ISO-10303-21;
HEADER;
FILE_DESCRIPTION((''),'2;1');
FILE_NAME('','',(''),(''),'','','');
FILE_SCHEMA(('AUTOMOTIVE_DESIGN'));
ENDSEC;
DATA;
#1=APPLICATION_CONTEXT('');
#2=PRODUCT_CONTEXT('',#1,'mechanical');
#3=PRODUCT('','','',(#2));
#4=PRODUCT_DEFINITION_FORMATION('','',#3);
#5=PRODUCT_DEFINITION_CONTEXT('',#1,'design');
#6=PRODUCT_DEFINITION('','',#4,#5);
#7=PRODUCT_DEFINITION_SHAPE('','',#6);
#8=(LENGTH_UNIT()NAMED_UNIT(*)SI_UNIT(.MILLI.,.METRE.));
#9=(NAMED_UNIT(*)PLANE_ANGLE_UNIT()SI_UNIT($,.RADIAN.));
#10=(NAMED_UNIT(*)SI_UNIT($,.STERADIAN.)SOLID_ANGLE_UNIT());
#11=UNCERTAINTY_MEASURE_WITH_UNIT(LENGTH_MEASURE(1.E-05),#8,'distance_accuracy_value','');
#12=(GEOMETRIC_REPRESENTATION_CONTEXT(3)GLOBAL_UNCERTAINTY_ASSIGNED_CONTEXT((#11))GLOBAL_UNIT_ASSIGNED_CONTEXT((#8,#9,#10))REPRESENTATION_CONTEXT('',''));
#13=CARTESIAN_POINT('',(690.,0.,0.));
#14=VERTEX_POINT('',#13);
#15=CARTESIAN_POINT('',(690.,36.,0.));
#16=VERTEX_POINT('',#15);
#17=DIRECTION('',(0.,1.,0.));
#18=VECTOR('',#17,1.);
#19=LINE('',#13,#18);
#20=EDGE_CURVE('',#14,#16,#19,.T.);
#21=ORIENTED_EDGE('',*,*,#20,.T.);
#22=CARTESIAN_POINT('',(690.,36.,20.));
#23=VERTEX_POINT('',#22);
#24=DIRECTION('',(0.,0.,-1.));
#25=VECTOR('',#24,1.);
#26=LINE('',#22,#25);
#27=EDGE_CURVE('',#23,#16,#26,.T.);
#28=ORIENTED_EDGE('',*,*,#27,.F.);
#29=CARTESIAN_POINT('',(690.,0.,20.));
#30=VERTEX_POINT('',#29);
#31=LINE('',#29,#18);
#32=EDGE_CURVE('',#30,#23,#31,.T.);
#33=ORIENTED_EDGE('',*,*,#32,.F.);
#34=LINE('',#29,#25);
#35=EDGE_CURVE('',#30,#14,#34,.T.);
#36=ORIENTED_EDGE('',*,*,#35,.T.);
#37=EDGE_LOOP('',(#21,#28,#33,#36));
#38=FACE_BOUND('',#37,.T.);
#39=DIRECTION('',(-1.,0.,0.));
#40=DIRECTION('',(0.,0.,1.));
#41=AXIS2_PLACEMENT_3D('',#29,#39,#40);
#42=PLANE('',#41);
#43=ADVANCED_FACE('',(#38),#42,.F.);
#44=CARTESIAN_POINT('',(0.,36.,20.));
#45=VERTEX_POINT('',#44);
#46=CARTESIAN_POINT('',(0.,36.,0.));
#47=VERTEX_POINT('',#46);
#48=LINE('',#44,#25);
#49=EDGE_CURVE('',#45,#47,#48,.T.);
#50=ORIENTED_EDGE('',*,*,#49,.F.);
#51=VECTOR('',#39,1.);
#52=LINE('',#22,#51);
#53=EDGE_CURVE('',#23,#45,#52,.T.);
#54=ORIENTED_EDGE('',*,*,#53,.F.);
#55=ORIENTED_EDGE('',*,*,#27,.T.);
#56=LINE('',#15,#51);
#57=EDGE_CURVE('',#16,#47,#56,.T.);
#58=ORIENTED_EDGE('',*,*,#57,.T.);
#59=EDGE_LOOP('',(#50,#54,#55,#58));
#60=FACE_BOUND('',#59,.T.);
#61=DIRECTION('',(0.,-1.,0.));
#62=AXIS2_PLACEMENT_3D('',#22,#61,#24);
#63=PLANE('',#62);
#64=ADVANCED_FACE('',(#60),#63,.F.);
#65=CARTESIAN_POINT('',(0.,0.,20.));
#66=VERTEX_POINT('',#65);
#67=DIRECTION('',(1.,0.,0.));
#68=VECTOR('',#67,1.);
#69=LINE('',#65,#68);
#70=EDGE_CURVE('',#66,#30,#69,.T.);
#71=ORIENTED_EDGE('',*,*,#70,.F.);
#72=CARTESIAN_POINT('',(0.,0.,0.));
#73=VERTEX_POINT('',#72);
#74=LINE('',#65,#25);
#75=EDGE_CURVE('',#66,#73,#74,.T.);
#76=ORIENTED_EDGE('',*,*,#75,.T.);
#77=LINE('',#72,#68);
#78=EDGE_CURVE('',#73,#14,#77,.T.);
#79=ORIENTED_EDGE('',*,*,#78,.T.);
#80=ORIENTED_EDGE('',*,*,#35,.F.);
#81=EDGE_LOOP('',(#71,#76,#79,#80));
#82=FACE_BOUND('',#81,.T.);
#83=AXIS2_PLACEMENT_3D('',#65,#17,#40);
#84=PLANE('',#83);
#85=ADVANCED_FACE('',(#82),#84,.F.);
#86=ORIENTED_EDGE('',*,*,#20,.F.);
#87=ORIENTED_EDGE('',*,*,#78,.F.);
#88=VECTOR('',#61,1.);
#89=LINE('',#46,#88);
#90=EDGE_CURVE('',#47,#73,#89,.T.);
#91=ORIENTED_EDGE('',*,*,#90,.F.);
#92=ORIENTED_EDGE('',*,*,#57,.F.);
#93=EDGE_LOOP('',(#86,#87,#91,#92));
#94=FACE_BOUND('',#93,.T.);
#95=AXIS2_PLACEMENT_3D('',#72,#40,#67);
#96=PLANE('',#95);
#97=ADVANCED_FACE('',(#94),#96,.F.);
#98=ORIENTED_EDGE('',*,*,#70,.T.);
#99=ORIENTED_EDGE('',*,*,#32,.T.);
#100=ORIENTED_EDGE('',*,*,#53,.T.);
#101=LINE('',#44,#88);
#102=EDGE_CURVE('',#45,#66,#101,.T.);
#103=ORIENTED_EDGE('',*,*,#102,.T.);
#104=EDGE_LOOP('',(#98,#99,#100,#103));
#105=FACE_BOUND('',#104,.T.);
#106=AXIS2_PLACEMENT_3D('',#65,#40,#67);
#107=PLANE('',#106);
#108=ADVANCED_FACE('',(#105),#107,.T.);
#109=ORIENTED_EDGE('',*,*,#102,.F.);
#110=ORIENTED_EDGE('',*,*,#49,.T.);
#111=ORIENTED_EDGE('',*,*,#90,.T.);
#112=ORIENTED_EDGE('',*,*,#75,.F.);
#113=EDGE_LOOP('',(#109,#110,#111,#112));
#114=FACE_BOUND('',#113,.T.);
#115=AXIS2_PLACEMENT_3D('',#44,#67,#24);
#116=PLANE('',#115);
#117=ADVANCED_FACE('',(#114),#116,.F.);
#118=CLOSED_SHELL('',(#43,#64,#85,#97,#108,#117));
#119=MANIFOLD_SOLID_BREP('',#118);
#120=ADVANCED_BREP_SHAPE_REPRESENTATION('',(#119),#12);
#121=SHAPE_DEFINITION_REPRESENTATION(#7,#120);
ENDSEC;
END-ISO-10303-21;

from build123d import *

# Parameters (mm, degrees)
SKETCH_1_W        = 690
SKETCH_1_H        = 36
CROSSMEMBER_DEPTH = 20


with BuildPart() as part:
    # 草图1 → Crossmember (new body)
    with BuildSketch(Plane.XY):
        with Locations((345, 18)):
            Rectangle(SKETCH_1_W, SKETCH_1_H)
    extrude(amount=CROSSMEMBER_DEPTH)


solid = part.part
